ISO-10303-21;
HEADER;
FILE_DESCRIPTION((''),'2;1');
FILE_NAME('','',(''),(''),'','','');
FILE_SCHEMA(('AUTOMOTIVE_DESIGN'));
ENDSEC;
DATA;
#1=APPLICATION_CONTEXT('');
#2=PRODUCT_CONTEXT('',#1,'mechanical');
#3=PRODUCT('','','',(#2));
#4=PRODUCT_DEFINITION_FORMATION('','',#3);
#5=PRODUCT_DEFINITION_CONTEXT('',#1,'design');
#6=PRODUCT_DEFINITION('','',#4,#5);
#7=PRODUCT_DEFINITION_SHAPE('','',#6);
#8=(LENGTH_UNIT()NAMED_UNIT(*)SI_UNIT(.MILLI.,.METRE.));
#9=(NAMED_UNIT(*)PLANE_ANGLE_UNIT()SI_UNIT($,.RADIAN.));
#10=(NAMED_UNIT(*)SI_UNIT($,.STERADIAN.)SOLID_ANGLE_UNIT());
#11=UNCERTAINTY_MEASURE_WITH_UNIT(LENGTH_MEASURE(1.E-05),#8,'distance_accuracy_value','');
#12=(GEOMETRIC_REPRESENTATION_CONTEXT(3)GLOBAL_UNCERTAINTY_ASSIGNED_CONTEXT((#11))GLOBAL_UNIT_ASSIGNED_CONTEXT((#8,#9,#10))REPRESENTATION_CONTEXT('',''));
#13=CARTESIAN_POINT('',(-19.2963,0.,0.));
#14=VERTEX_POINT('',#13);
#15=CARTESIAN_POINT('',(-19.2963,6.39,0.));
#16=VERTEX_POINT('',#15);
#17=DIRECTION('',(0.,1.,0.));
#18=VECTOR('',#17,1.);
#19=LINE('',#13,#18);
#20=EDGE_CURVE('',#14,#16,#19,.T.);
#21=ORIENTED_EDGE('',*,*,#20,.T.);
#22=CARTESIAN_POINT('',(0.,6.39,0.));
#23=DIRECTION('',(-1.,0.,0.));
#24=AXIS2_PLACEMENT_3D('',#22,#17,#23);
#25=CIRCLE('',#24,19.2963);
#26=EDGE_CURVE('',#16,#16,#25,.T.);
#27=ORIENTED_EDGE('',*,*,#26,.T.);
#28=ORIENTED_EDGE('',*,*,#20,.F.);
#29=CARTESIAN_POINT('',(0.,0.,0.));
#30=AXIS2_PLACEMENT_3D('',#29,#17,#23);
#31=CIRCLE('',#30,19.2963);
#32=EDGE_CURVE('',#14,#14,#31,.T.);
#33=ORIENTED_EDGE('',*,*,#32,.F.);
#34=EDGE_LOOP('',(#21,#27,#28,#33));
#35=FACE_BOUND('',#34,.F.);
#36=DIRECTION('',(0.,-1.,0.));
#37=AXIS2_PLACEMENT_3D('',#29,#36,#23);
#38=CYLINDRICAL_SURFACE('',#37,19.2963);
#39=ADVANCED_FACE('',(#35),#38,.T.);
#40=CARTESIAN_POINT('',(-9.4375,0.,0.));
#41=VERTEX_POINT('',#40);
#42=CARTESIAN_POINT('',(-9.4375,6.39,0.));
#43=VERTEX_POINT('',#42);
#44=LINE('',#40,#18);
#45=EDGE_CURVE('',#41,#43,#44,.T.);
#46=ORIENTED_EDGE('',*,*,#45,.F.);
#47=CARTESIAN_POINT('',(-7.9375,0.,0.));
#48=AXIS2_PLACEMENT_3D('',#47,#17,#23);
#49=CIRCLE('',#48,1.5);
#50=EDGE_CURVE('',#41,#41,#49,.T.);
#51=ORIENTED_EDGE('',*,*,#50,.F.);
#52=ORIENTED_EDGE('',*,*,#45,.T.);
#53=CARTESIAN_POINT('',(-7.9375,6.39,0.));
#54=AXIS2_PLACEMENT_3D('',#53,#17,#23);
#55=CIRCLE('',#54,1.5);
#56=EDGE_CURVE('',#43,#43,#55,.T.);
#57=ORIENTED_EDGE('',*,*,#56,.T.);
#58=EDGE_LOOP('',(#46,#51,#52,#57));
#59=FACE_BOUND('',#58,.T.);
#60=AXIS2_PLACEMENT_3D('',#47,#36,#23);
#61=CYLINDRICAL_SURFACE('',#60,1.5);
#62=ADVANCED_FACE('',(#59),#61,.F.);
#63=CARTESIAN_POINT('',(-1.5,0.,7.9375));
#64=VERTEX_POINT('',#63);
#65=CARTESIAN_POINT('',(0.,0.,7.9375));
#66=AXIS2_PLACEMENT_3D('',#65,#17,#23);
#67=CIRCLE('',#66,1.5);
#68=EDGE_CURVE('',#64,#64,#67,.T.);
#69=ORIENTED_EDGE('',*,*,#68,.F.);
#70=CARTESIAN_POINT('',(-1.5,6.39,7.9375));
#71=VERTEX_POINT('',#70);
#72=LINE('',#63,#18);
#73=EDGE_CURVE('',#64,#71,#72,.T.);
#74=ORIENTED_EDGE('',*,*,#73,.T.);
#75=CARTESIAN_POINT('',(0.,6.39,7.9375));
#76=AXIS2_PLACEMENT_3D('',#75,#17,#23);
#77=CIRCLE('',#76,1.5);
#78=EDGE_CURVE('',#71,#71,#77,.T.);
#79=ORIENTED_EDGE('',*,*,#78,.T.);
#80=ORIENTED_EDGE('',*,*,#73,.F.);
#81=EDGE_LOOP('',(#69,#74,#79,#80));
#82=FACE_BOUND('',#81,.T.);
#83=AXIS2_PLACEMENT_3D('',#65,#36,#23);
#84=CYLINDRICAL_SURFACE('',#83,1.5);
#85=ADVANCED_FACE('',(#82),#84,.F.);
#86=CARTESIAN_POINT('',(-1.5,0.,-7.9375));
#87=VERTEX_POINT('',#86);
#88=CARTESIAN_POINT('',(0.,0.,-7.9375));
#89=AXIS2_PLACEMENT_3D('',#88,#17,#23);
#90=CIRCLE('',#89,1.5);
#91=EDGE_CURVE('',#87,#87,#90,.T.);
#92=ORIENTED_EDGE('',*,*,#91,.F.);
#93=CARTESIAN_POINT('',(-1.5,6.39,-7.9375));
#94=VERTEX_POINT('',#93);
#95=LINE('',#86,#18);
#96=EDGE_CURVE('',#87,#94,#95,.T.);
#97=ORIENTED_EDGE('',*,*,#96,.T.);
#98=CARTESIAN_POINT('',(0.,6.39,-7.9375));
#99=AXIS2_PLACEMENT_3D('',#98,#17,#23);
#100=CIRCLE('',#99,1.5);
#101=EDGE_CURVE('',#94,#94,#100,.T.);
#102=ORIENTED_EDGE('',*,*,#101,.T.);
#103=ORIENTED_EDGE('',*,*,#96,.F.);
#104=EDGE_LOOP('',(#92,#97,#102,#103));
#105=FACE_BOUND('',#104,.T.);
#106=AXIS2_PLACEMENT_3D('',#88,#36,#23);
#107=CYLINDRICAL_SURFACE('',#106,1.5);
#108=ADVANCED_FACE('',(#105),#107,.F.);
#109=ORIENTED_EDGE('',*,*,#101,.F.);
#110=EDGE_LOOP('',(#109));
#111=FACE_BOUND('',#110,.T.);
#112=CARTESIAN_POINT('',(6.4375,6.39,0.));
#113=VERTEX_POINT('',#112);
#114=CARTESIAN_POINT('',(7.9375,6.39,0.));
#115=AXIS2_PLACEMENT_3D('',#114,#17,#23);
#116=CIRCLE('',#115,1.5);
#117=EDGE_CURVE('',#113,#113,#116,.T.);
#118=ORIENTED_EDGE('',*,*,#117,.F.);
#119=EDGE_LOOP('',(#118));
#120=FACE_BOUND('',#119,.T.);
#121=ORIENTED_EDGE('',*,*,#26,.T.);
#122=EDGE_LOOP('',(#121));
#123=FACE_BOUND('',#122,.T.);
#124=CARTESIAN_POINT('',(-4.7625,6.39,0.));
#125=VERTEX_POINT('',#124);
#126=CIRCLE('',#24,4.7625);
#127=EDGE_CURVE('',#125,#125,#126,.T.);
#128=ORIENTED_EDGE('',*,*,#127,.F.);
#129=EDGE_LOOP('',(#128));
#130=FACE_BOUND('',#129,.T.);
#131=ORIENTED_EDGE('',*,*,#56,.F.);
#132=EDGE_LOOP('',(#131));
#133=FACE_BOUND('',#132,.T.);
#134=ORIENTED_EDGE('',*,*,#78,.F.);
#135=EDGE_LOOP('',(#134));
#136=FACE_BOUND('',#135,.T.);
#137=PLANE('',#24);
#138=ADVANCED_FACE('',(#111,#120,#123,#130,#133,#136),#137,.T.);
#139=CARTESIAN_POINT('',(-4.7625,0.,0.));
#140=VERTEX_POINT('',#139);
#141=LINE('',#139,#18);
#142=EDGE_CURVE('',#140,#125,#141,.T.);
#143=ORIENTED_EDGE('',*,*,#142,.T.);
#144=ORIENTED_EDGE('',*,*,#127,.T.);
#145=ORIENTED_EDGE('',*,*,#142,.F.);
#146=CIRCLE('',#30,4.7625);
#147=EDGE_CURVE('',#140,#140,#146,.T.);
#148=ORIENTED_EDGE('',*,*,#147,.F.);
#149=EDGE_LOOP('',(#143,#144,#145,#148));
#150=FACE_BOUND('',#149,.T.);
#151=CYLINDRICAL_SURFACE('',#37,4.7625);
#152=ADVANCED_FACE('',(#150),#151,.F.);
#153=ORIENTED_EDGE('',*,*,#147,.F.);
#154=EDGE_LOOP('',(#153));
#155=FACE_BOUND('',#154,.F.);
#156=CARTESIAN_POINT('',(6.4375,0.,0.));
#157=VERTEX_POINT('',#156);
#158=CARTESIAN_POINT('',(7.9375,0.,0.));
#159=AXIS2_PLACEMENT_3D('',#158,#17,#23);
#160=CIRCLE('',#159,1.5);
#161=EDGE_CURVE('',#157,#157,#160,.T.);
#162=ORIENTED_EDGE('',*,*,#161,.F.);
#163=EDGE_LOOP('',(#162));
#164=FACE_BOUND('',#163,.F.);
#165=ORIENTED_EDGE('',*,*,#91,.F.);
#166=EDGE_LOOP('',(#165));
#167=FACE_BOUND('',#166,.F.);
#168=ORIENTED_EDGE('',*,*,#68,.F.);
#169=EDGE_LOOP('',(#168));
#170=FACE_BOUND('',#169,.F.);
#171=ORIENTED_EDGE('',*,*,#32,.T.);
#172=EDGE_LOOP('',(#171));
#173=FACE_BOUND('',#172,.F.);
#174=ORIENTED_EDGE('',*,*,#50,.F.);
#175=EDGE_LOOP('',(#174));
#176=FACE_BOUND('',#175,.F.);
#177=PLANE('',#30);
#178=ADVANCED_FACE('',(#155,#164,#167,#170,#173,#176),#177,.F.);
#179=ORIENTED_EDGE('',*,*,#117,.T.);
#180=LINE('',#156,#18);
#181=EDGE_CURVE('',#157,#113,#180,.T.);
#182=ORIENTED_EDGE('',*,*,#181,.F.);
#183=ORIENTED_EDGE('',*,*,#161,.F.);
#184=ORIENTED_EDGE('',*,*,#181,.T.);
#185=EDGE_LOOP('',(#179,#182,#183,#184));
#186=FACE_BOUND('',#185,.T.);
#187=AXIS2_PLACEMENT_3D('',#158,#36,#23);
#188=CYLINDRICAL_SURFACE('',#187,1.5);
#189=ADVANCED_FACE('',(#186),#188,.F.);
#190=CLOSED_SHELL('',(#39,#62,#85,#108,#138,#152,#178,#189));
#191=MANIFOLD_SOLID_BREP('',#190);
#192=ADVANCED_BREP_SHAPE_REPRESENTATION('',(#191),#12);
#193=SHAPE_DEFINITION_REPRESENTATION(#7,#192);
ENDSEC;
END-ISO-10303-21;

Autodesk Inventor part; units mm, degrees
ref_plane "YZ Plane" through (0, 0, 0) normal (1, 0, 0) x (0, 1, 0)
ref_plane "XZ Plane" through (0, 0, 0) normal (0, 1, 0) x (-1, 0, 0)
ref_plane "XY Plane" through (0, 0, 0) normal (0, 0, 1) x (1, 0, 0)
sketch "Sketch1" plane through (0, 0, 0) normal (0, 1, 0) x (-1, 0, 0)
  circle A0 centre (0, 0) radius 19.2963
  circle A1 centre (7.9375, 0) radius 1.5
  circle A2 centre (0, 7.9375) radius 1.5
  circle A3 centre (-7.9375, 0) radius 1.5
  circle A4 centre (0, -7.9375) radius 1.5
  circle A5 centre (0, 0) radius 4.7625
  dimension "d0" = 38.5926
  dimension "MotorCouplingScrewDiameter" = 3
  dimension "MotorCouplingScrewDistance" = 7.9375
  dimension "d5" = 360
  dimension "d7" = 9.525
extrude "Extrusion1" add sketch "Sketch1" along normal blind 6.39
equation "\"d8\" = WoodThickness"
equation "\"WoodThickness\" = 6.39"
equation "\"BearingHolderHeight\" = 13.1"
properties part number "CouplingHead" material "MDF Medium Density Fiberboard"
